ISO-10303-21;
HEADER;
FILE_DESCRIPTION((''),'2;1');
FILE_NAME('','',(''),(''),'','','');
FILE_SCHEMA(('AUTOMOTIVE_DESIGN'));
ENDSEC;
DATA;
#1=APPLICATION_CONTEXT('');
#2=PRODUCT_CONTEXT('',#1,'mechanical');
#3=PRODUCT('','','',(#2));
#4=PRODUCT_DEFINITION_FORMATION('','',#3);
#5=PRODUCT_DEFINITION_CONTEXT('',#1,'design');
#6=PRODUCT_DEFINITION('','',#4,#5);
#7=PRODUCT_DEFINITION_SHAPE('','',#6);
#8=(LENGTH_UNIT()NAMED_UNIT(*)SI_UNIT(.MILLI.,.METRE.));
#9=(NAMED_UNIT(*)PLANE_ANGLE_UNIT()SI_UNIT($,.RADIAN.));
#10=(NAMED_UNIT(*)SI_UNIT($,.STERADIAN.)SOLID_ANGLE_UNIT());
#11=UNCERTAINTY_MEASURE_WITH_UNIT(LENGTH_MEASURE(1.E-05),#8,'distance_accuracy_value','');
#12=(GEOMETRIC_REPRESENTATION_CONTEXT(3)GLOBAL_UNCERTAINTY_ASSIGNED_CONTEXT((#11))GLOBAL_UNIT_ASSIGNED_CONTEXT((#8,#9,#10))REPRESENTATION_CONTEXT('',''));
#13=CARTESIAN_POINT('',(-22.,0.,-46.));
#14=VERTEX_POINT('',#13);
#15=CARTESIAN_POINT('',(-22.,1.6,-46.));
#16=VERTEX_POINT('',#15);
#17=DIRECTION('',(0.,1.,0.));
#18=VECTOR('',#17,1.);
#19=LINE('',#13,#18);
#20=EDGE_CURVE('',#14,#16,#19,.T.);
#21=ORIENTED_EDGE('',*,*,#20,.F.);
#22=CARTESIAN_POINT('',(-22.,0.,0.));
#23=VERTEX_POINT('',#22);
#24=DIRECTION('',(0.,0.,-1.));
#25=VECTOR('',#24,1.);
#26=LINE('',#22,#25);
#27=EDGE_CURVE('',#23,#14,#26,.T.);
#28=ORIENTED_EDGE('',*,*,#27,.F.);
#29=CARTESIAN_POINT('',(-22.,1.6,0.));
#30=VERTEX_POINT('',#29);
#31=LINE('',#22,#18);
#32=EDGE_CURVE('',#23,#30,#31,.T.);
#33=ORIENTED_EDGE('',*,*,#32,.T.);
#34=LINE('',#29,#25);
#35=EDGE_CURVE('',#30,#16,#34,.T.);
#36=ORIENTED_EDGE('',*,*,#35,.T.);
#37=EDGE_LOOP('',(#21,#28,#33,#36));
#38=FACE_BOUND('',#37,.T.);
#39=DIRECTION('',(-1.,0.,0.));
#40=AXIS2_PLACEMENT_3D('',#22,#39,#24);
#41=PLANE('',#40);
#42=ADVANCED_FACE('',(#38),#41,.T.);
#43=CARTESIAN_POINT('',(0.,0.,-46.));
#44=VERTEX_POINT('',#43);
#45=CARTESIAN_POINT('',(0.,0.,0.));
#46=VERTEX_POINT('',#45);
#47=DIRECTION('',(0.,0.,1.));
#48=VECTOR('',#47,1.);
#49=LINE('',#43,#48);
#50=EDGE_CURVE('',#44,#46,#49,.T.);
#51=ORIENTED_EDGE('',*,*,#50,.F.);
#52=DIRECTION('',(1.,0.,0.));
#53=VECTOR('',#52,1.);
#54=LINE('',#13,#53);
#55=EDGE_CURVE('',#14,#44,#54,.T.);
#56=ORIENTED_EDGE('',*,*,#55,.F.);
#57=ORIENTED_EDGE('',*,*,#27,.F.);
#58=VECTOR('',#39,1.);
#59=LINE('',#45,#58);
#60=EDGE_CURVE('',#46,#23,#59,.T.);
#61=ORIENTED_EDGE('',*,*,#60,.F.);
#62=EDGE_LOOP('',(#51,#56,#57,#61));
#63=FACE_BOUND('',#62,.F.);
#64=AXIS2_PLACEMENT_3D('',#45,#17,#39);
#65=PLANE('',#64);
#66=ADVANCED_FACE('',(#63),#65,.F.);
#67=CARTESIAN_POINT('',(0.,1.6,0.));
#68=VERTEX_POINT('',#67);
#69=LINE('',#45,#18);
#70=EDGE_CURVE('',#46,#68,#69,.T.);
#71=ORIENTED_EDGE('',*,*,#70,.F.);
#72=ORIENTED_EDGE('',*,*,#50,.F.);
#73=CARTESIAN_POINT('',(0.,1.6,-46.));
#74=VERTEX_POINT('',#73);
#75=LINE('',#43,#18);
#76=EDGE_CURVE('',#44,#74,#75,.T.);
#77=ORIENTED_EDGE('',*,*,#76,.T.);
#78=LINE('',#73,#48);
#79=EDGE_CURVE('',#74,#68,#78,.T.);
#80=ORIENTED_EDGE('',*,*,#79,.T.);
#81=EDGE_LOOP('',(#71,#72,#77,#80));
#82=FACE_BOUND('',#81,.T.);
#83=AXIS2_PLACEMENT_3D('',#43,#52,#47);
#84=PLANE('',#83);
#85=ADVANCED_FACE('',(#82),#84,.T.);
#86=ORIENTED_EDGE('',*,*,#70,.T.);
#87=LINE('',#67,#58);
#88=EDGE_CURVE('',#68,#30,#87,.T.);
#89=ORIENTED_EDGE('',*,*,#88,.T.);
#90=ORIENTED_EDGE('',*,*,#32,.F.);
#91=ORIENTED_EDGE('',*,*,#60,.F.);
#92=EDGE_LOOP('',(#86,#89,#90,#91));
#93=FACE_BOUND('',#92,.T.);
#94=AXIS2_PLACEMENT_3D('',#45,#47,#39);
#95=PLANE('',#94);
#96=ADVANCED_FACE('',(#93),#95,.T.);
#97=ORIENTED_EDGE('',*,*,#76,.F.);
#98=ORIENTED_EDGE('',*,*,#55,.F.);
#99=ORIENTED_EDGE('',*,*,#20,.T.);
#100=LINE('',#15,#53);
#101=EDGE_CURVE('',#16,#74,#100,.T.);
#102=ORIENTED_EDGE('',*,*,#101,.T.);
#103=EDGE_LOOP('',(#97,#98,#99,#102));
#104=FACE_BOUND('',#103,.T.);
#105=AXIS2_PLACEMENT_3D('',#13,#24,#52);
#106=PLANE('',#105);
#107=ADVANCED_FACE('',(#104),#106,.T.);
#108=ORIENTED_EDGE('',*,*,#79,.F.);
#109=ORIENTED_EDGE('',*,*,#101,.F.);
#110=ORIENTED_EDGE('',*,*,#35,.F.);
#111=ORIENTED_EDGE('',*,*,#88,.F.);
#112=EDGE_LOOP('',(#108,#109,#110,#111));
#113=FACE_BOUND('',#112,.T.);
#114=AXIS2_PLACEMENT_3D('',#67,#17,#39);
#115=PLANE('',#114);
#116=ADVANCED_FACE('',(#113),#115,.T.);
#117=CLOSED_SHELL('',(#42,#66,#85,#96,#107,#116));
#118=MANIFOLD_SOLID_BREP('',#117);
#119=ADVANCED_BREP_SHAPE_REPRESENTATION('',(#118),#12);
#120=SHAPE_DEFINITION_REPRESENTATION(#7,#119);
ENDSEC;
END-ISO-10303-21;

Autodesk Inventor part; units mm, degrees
ref_plane "YZ Plane" through (0, 0, 0) normal (1, 0, 0) x (0, 1, 0)
ref_plane "XZ Plane" through (0, 0, 0) normal (0, 1, 0) x (-1, 0, 0)
ref_plane "XY Plane" through (0, 0, 0) normal (0, 0, 1) x (1, 0, 0)
sketch "Szkic1" plane through (0, 0, 0) normal (0, 1, 0) x (-1, 0, 0)
  line L0 (0, 0) -> (22, 0)
  line L1 (22, 0) -> (22, -46)
  line L2 (22, -46) -> (0, -46)
  line L3 (0, -46) -> (0, 0)
  dimension "d0" = 22
  dimension "d1" = 46
extrude "Wyciągnięcie proste1" add sketch "Szkic1" along normal blind 1.6
properties part number "pcbb"
